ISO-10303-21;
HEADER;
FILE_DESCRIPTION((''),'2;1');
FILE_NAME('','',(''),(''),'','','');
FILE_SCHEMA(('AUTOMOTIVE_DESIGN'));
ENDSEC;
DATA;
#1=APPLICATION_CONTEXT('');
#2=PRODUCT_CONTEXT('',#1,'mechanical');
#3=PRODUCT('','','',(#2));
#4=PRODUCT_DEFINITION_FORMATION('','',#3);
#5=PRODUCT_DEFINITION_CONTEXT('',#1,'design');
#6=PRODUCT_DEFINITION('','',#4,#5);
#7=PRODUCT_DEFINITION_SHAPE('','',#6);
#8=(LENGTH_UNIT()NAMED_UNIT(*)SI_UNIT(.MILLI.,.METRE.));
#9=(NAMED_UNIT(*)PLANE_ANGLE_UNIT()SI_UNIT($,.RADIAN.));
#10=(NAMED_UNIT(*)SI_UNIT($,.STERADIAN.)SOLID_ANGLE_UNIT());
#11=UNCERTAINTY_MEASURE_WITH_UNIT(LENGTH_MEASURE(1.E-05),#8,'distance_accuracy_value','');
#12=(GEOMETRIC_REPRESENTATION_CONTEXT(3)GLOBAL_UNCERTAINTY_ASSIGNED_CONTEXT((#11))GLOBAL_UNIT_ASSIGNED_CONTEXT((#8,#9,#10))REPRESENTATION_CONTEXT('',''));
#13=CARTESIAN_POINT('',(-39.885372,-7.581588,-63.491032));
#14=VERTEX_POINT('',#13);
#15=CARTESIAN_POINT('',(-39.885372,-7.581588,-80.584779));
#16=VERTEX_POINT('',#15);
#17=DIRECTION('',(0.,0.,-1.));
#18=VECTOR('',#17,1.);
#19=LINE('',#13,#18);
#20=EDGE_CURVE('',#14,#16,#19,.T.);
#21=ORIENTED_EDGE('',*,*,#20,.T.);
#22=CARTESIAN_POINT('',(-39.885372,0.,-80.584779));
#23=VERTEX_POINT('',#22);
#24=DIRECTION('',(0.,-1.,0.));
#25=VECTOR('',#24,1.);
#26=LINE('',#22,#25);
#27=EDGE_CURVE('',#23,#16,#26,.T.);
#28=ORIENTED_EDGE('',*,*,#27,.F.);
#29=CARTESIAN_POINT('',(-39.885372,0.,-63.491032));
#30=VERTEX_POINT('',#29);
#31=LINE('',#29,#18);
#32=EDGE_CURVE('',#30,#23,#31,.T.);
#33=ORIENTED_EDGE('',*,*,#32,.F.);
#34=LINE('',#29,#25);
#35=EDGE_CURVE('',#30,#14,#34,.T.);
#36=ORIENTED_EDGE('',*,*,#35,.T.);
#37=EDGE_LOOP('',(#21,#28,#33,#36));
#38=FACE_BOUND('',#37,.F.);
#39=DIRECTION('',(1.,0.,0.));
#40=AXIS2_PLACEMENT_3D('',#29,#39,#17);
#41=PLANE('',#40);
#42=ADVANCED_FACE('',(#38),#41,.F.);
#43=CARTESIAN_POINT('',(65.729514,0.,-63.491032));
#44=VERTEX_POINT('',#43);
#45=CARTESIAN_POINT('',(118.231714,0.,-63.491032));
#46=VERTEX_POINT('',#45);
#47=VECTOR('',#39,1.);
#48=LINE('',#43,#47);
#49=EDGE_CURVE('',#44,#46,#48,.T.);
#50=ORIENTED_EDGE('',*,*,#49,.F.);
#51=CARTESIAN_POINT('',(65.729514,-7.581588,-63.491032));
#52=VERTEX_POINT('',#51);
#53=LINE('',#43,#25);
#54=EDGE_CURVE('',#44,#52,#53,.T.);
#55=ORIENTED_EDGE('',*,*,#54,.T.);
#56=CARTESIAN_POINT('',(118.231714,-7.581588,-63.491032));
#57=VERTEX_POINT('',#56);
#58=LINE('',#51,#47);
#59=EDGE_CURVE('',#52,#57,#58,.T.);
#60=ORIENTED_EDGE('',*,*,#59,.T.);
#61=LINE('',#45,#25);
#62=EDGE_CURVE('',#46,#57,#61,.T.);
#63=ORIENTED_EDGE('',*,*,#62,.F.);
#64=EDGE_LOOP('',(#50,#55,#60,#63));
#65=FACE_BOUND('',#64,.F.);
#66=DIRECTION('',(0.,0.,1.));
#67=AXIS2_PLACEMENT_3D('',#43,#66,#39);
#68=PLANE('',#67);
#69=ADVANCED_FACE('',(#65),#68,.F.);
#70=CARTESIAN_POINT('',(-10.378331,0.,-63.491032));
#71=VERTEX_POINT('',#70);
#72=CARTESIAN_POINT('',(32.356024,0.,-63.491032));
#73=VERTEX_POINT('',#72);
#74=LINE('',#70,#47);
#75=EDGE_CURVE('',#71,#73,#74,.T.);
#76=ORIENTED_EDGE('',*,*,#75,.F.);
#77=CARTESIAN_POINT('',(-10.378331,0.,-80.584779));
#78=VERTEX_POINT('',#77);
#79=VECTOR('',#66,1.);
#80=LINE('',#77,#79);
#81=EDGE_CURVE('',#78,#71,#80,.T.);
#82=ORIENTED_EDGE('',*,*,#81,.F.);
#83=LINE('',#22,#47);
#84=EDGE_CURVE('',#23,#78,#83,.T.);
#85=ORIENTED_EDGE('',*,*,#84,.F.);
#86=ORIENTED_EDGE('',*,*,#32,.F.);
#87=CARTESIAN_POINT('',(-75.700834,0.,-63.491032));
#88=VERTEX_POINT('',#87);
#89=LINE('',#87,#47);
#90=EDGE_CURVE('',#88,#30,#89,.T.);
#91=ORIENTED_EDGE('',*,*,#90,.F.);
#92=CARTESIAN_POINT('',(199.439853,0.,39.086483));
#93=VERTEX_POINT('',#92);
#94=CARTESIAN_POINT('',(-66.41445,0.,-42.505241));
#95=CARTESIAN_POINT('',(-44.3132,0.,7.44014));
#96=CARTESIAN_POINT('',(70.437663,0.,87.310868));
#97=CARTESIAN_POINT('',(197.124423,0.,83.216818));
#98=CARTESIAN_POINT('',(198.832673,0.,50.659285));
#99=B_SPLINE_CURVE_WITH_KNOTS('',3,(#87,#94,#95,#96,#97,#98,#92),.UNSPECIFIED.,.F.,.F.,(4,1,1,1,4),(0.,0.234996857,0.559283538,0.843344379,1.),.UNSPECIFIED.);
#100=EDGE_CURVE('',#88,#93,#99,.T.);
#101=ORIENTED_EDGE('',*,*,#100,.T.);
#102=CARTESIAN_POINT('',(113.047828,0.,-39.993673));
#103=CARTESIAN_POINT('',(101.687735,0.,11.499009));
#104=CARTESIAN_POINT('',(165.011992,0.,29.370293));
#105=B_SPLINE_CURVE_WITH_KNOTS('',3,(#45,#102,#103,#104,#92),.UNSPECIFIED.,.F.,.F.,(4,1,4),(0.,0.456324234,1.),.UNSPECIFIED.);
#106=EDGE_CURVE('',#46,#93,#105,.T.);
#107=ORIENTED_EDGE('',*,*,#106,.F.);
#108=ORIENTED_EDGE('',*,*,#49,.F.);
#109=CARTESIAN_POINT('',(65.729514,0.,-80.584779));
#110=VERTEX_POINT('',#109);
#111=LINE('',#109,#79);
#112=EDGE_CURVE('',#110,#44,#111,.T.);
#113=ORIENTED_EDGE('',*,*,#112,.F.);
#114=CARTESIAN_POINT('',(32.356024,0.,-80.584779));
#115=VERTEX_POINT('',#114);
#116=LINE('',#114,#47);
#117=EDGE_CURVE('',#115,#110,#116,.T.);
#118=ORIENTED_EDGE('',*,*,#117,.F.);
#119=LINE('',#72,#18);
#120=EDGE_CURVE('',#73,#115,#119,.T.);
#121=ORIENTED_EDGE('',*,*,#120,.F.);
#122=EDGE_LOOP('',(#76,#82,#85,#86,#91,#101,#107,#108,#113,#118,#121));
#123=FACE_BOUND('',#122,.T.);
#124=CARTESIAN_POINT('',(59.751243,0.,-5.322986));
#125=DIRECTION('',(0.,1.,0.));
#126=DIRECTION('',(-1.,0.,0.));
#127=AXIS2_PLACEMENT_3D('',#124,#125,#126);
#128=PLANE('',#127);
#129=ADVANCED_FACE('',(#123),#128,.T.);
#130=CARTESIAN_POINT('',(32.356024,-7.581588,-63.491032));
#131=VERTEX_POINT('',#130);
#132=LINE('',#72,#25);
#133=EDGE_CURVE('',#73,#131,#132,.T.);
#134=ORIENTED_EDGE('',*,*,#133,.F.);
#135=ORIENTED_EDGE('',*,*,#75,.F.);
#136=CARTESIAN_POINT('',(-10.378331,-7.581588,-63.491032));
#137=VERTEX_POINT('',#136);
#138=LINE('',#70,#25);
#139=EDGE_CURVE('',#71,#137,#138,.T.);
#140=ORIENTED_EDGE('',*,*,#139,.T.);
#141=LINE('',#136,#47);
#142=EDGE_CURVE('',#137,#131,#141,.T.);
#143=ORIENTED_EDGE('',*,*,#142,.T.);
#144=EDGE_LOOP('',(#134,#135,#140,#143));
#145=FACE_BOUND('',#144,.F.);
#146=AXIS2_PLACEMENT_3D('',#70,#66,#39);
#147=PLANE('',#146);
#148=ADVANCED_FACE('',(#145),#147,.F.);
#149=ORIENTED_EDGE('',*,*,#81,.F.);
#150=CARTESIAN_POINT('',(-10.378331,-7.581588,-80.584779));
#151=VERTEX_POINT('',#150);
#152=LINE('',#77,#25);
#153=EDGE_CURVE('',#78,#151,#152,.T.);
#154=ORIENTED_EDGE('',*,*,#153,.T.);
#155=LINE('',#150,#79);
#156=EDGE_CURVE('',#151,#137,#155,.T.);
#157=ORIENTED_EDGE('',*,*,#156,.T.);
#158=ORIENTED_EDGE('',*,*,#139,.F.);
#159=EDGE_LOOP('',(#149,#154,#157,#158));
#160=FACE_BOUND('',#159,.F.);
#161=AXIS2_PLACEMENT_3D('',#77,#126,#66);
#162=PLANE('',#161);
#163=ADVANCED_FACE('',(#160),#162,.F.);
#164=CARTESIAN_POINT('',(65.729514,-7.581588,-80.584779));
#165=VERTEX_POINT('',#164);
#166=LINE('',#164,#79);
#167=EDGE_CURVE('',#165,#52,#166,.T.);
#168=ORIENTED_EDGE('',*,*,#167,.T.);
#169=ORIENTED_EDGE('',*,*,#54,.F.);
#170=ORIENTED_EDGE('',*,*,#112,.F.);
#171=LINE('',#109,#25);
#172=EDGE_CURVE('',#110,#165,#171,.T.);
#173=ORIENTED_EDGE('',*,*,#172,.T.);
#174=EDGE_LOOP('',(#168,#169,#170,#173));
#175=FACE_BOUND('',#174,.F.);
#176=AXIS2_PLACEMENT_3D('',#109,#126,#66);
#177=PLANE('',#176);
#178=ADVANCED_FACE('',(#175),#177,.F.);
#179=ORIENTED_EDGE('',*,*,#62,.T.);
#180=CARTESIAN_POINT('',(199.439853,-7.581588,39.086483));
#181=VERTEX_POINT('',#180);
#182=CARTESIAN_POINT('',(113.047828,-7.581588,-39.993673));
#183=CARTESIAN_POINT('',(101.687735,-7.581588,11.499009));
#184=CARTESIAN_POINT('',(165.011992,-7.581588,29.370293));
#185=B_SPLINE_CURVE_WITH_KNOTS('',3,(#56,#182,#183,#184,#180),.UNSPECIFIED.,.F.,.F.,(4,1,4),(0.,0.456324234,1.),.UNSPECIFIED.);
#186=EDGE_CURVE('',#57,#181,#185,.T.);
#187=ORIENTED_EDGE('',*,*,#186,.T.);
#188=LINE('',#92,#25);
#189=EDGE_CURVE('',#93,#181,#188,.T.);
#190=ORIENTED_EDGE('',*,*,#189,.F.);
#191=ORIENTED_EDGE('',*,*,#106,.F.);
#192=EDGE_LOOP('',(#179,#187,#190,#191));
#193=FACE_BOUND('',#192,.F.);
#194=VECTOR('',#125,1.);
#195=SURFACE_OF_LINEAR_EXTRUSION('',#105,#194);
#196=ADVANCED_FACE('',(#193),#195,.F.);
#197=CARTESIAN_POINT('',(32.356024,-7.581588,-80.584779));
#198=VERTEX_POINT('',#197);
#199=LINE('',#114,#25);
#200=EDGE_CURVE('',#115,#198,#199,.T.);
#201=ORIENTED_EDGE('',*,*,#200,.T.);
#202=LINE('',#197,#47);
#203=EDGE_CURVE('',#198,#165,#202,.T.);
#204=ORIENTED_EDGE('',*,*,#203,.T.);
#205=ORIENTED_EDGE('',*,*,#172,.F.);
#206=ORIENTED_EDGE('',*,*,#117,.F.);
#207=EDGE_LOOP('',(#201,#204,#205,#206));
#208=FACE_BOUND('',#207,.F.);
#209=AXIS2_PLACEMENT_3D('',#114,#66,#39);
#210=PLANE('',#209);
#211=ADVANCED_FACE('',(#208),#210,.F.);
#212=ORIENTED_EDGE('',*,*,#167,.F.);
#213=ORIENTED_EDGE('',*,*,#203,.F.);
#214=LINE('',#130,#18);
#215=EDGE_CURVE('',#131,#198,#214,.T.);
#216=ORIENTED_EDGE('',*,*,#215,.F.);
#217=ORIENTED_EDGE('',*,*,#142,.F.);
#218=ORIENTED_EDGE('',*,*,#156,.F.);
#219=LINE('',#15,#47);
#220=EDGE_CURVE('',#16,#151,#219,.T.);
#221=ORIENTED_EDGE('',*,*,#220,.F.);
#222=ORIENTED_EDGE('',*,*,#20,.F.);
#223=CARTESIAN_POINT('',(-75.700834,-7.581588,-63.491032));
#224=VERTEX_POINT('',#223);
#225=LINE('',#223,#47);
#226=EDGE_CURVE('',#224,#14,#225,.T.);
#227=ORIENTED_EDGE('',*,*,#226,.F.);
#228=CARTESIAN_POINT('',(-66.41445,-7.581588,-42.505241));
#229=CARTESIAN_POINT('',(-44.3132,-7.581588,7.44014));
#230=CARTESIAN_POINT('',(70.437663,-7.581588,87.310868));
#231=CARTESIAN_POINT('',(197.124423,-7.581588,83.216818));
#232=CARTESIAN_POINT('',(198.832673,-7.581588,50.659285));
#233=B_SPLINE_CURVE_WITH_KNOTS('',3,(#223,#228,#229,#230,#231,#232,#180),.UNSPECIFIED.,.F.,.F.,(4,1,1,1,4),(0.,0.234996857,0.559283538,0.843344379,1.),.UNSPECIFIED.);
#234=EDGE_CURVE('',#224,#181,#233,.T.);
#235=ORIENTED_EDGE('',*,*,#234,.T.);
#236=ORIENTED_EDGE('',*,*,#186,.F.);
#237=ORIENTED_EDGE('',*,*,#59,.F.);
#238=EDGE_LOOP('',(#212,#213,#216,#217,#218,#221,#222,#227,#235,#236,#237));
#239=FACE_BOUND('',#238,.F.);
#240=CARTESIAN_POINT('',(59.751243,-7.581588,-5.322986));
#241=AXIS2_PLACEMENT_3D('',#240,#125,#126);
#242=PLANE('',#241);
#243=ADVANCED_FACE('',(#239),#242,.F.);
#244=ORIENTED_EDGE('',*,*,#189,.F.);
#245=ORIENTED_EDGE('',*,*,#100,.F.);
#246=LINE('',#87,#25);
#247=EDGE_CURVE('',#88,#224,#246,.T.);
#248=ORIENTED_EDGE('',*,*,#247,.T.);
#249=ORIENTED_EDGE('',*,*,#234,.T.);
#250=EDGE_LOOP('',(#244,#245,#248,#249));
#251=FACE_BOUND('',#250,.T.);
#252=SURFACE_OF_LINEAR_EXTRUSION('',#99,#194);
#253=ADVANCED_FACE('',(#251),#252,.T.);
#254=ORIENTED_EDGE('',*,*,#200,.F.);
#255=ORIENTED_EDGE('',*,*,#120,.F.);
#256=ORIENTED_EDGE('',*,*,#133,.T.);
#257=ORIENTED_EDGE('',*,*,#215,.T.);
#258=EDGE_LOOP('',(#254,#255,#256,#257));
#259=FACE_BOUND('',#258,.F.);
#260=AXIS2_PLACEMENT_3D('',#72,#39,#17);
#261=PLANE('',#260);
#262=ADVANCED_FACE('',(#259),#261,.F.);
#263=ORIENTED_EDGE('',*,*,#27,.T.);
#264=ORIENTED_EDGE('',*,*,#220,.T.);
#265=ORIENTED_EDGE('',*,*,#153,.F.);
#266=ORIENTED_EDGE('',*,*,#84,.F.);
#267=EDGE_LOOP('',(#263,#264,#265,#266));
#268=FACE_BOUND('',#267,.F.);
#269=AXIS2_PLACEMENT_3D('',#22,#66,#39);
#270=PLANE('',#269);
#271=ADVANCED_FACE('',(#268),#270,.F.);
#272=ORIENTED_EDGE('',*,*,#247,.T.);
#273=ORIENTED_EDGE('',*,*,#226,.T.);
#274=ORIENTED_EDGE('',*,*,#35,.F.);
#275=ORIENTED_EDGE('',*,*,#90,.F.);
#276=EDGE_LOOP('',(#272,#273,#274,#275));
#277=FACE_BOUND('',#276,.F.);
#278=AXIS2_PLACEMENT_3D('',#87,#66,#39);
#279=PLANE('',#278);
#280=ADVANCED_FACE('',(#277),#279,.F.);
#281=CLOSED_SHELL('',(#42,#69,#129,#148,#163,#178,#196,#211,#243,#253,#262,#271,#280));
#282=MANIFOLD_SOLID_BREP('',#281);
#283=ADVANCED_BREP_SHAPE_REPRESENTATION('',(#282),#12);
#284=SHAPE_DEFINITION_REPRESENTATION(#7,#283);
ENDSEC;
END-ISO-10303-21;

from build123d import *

# Parameters (mm, degrees)
F1_DEPTH = 7.5815878808


with BuildPart() as f1:
    # F0 (on Front) → F1 (new body)
    with BuildSketch(Plane.XZ):
        with BuildLine():
            add(Edge.make_bspline(
                [(-75.7008343935, -63.4910315275), (-66.4144495165, -42.5052410316), (-44.313199633, 7.4401399217), (70.4376625664, 87.310867627), (197.1244228991, 83.2168178798), (198.8326732602, 50.659285161), (199.4398534298, 39.0864834189)],
                knots=[0, 0, 0, 0, 0.2349968569, 0.5592835382, 0.8433443789, 1, 1, 1, 1], degree=3))
            Line((-75.7008343935, -63.4910315275), (-39.8853719234, -63.4910315275))
            Line((-39.8853719234, -63.4910315275), (-39.8853719234, -80.5847793818))
            Line((-39.8853719234, -80.5847793818), (-10.378330946, -80.5847793818))
            Line((-10.378330946, -80.5847793818), (-10.378330946, -63.4910315275))
            Line((-10.378330946, -63.4910315275), (32.3560237885, -63.4910315275))
            Line((32.3560237885, -63.4910315275), (32.3560237885, -80.5847793818))
            Line((32.3560237885, -80.5847793818), (65.7295137644, -80.5847793818))
            Line((65.7295137644, -80.5847793818), (65.7295137644, -63.4910315275))
            Line((65.7295137644, -63.4910315275), (118.2317137718, -63.4910315275))
            add(Edge.make_bspline(
                [(118.2317137718, -63.4910315275), (113.0478281627, -39.9936732412), (101.6877351814, 11.499009198), (165.0119918313, 29.3702932045), (199.4398534298, 39.0864834189)],
                knots=[0, 0, 0, 0, 0.4563242345, 1, 1, 1, 1], degree=3))
        make_face()
    extrude(amount=F1_DEPTH)


solid = f1.part
